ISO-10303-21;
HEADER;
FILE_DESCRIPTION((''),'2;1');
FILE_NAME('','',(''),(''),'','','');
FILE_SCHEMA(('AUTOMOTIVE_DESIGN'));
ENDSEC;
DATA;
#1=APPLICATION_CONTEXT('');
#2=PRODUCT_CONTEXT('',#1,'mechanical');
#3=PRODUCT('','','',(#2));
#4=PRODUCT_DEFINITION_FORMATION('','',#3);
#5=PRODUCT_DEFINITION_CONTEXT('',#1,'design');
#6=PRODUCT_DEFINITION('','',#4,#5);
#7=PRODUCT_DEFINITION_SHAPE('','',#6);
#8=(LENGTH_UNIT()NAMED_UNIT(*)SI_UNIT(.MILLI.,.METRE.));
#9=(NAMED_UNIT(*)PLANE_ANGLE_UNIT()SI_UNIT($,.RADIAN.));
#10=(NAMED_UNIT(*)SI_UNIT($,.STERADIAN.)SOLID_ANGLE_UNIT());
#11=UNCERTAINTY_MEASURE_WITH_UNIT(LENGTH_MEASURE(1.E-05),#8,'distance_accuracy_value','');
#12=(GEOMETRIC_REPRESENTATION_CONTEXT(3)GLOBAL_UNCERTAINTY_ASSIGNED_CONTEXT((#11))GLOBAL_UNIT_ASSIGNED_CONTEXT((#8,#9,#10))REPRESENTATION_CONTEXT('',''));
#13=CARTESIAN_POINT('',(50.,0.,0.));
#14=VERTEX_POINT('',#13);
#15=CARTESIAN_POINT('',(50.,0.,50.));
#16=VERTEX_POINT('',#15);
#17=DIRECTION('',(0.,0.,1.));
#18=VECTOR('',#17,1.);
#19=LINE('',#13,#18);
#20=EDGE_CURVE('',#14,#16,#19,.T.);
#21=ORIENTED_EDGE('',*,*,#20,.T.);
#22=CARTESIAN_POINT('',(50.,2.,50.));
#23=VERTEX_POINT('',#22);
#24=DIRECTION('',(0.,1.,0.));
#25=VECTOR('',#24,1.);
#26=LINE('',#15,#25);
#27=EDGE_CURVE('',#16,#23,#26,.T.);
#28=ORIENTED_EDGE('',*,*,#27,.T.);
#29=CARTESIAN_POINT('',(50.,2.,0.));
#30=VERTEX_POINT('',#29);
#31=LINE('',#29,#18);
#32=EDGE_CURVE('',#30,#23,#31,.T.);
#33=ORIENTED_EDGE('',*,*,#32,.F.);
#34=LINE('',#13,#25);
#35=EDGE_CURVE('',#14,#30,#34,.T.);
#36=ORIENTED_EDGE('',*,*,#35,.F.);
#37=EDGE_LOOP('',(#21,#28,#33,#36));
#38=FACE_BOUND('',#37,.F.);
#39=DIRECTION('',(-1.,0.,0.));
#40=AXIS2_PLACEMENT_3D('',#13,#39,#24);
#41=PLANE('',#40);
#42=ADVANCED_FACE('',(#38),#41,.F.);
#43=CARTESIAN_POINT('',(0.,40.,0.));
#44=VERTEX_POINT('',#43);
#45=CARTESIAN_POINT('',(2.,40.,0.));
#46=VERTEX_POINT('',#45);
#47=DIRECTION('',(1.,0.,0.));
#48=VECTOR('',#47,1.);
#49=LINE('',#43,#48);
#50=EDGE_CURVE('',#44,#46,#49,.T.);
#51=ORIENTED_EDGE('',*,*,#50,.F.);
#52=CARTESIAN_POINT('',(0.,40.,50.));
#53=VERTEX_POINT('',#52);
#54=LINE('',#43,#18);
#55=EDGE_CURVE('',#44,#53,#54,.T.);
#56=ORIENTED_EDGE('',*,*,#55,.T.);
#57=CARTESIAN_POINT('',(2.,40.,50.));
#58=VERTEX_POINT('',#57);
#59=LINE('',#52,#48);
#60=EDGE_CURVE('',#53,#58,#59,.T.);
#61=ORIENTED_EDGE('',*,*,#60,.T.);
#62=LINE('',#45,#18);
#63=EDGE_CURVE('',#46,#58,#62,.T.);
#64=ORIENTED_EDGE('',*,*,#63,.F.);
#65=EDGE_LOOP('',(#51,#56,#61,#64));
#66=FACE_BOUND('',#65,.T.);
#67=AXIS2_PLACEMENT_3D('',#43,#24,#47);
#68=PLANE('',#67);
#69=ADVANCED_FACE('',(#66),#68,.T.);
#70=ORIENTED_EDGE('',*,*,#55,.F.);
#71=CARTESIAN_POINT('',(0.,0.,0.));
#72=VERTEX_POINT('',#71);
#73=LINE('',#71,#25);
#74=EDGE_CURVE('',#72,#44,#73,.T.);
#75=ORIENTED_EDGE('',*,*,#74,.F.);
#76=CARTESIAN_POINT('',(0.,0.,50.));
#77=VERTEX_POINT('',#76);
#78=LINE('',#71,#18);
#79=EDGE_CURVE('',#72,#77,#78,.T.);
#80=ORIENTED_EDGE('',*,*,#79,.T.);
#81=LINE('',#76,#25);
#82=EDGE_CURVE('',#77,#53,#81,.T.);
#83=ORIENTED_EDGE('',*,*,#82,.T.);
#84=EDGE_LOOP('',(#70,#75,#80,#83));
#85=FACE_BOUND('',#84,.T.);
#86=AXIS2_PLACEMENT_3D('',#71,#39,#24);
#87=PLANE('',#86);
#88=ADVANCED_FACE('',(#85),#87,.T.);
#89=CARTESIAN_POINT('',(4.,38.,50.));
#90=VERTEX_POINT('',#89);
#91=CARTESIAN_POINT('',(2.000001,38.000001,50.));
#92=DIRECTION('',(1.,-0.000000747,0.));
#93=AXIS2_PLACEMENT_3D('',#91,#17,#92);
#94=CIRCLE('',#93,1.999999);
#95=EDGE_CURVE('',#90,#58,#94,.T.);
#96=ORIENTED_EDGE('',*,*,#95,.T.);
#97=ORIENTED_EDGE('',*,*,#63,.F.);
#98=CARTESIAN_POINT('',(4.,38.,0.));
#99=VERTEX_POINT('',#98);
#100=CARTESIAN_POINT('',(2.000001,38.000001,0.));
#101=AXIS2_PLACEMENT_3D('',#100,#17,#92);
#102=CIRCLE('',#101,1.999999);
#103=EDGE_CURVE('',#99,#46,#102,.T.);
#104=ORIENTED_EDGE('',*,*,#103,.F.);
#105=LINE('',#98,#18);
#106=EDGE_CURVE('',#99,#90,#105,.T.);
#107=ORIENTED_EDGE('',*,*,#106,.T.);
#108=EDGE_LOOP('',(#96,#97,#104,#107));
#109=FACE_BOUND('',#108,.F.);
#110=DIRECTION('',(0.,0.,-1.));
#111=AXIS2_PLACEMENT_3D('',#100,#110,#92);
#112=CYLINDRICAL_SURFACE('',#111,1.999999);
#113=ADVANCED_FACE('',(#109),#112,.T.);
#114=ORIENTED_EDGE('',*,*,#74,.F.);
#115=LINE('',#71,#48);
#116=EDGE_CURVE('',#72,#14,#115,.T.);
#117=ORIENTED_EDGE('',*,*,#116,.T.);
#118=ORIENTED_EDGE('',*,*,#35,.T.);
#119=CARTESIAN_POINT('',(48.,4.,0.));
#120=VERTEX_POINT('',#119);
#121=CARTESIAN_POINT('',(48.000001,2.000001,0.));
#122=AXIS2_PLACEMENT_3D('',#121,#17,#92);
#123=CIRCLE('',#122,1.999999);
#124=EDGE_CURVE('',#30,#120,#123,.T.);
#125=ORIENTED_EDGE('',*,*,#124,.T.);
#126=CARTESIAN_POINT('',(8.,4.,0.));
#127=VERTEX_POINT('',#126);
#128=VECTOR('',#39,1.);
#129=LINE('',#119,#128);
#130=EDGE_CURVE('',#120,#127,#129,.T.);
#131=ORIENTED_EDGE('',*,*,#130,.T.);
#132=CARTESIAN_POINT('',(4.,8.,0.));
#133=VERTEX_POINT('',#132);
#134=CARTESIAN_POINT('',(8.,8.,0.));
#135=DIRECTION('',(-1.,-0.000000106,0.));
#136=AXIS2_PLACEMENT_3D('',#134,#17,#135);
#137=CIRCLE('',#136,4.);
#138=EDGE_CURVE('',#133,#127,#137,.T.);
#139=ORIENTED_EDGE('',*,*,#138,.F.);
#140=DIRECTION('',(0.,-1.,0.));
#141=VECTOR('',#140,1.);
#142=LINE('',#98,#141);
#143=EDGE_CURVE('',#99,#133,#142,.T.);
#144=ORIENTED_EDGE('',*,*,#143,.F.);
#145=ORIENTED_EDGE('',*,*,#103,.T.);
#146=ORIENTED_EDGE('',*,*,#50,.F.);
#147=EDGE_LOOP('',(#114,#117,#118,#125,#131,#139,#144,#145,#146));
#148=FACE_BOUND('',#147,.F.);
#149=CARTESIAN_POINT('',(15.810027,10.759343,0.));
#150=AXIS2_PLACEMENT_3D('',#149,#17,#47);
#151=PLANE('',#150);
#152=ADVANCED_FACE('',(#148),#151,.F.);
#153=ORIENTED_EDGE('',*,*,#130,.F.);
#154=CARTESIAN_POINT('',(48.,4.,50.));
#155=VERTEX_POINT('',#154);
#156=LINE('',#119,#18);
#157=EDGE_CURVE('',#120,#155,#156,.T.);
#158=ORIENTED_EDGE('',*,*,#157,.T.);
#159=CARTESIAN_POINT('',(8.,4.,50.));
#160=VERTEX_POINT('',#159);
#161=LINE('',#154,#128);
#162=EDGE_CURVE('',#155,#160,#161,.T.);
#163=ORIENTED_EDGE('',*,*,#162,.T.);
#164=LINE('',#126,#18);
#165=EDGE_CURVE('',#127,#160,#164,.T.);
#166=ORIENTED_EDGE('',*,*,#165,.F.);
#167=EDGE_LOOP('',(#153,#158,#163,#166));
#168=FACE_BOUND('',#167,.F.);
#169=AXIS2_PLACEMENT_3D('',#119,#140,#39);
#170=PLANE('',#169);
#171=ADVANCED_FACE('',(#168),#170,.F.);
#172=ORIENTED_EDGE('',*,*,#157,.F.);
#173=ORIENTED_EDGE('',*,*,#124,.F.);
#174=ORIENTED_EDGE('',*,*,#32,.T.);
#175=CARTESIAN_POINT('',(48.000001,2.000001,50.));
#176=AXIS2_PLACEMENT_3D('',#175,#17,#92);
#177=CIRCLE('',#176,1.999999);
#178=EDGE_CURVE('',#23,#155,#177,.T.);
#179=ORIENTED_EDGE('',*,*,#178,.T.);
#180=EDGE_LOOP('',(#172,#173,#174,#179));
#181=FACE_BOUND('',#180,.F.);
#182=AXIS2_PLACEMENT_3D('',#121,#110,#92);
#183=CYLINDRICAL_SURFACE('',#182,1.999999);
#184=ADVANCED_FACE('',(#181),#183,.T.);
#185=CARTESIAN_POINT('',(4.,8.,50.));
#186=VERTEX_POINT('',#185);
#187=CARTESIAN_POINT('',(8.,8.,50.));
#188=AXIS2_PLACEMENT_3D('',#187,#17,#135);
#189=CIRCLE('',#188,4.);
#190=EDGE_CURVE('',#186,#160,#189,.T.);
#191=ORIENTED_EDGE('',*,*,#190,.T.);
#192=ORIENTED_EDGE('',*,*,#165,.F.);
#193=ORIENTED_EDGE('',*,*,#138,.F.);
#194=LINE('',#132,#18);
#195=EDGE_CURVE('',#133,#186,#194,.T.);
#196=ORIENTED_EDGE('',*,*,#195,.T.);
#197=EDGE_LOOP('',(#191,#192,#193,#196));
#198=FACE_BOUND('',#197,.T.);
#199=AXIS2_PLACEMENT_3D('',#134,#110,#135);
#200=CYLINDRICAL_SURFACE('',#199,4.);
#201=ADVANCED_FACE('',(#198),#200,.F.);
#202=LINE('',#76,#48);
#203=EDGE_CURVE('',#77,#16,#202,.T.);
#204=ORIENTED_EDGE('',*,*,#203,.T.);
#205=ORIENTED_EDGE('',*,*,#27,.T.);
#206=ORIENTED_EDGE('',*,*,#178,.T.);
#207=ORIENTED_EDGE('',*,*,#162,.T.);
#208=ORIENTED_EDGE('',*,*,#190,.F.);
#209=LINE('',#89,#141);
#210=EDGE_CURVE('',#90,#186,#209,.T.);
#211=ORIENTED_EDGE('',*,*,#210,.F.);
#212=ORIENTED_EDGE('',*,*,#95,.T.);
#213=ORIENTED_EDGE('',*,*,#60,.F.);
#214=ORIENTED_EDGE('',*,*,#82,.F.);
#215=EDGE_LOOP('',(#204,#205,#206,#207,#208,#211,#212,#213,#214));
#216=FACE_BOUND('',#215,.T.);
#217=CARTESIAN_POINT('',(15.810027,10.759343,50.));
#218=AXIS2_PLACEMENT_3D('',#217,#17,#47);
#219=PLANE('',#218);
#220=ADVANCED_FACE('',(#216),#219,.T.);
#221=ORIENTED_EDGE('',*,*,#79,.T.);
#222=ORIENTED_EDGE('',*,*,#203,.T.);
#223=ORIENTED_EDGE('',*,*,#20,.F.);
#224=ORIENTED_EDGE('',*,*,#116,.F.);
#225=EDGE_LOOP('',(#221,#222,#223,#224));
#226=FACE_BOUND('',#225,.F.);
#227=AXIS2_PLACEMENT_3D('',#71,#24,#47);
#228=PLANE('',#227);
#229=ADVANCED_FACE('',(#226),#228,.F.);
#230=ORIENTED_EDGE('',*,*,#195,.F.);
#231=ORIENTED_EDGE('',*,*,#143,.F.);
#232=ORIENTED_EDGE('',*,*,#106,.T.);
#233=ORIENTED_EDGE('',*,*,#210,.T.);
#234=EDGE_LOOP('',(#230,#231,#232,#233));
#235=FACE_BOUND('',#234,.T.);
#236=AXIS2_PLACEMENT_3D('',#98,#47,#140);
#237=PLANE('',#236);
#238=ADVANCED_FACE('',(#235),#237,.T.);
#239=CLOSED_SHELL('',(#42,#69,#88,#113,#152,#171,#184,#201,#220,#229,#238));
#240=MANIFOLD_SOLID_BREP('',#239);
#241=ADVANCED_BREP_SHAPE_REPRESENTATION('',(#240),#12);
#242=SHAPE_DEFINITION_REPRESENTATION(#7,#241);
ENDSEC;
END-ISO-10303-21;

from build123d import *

# Parameters (mm, degrees)
EXTRUDE_DEPTH = 50


with BuildPart() as part:
    # Sketch → Extrude (new body)
    with BuildSketch(Plane.XY):
        with BuildLine():
            Line((0, 0), (50, 0))
            Line((50, 0), (50, 2))
            ThreePointArc((50, 2), (49.414214, 3.414214), (48, 4))
            Line((48, 4), (8, 4))
            ThreePointArc((4, 8), (5.171573, 5.171573), (8, 4))
            Line((4, 38), (4, 8))
            ThreePointArc((4, 38), (3.414214, 39.414214), (2, 40))
            Line((0, 40), (2, 40))
            Line((0, 0), (0, 40))
        make_face()
    extrude(amount=EXTRUDE_DEPTH)


solid = part.part
